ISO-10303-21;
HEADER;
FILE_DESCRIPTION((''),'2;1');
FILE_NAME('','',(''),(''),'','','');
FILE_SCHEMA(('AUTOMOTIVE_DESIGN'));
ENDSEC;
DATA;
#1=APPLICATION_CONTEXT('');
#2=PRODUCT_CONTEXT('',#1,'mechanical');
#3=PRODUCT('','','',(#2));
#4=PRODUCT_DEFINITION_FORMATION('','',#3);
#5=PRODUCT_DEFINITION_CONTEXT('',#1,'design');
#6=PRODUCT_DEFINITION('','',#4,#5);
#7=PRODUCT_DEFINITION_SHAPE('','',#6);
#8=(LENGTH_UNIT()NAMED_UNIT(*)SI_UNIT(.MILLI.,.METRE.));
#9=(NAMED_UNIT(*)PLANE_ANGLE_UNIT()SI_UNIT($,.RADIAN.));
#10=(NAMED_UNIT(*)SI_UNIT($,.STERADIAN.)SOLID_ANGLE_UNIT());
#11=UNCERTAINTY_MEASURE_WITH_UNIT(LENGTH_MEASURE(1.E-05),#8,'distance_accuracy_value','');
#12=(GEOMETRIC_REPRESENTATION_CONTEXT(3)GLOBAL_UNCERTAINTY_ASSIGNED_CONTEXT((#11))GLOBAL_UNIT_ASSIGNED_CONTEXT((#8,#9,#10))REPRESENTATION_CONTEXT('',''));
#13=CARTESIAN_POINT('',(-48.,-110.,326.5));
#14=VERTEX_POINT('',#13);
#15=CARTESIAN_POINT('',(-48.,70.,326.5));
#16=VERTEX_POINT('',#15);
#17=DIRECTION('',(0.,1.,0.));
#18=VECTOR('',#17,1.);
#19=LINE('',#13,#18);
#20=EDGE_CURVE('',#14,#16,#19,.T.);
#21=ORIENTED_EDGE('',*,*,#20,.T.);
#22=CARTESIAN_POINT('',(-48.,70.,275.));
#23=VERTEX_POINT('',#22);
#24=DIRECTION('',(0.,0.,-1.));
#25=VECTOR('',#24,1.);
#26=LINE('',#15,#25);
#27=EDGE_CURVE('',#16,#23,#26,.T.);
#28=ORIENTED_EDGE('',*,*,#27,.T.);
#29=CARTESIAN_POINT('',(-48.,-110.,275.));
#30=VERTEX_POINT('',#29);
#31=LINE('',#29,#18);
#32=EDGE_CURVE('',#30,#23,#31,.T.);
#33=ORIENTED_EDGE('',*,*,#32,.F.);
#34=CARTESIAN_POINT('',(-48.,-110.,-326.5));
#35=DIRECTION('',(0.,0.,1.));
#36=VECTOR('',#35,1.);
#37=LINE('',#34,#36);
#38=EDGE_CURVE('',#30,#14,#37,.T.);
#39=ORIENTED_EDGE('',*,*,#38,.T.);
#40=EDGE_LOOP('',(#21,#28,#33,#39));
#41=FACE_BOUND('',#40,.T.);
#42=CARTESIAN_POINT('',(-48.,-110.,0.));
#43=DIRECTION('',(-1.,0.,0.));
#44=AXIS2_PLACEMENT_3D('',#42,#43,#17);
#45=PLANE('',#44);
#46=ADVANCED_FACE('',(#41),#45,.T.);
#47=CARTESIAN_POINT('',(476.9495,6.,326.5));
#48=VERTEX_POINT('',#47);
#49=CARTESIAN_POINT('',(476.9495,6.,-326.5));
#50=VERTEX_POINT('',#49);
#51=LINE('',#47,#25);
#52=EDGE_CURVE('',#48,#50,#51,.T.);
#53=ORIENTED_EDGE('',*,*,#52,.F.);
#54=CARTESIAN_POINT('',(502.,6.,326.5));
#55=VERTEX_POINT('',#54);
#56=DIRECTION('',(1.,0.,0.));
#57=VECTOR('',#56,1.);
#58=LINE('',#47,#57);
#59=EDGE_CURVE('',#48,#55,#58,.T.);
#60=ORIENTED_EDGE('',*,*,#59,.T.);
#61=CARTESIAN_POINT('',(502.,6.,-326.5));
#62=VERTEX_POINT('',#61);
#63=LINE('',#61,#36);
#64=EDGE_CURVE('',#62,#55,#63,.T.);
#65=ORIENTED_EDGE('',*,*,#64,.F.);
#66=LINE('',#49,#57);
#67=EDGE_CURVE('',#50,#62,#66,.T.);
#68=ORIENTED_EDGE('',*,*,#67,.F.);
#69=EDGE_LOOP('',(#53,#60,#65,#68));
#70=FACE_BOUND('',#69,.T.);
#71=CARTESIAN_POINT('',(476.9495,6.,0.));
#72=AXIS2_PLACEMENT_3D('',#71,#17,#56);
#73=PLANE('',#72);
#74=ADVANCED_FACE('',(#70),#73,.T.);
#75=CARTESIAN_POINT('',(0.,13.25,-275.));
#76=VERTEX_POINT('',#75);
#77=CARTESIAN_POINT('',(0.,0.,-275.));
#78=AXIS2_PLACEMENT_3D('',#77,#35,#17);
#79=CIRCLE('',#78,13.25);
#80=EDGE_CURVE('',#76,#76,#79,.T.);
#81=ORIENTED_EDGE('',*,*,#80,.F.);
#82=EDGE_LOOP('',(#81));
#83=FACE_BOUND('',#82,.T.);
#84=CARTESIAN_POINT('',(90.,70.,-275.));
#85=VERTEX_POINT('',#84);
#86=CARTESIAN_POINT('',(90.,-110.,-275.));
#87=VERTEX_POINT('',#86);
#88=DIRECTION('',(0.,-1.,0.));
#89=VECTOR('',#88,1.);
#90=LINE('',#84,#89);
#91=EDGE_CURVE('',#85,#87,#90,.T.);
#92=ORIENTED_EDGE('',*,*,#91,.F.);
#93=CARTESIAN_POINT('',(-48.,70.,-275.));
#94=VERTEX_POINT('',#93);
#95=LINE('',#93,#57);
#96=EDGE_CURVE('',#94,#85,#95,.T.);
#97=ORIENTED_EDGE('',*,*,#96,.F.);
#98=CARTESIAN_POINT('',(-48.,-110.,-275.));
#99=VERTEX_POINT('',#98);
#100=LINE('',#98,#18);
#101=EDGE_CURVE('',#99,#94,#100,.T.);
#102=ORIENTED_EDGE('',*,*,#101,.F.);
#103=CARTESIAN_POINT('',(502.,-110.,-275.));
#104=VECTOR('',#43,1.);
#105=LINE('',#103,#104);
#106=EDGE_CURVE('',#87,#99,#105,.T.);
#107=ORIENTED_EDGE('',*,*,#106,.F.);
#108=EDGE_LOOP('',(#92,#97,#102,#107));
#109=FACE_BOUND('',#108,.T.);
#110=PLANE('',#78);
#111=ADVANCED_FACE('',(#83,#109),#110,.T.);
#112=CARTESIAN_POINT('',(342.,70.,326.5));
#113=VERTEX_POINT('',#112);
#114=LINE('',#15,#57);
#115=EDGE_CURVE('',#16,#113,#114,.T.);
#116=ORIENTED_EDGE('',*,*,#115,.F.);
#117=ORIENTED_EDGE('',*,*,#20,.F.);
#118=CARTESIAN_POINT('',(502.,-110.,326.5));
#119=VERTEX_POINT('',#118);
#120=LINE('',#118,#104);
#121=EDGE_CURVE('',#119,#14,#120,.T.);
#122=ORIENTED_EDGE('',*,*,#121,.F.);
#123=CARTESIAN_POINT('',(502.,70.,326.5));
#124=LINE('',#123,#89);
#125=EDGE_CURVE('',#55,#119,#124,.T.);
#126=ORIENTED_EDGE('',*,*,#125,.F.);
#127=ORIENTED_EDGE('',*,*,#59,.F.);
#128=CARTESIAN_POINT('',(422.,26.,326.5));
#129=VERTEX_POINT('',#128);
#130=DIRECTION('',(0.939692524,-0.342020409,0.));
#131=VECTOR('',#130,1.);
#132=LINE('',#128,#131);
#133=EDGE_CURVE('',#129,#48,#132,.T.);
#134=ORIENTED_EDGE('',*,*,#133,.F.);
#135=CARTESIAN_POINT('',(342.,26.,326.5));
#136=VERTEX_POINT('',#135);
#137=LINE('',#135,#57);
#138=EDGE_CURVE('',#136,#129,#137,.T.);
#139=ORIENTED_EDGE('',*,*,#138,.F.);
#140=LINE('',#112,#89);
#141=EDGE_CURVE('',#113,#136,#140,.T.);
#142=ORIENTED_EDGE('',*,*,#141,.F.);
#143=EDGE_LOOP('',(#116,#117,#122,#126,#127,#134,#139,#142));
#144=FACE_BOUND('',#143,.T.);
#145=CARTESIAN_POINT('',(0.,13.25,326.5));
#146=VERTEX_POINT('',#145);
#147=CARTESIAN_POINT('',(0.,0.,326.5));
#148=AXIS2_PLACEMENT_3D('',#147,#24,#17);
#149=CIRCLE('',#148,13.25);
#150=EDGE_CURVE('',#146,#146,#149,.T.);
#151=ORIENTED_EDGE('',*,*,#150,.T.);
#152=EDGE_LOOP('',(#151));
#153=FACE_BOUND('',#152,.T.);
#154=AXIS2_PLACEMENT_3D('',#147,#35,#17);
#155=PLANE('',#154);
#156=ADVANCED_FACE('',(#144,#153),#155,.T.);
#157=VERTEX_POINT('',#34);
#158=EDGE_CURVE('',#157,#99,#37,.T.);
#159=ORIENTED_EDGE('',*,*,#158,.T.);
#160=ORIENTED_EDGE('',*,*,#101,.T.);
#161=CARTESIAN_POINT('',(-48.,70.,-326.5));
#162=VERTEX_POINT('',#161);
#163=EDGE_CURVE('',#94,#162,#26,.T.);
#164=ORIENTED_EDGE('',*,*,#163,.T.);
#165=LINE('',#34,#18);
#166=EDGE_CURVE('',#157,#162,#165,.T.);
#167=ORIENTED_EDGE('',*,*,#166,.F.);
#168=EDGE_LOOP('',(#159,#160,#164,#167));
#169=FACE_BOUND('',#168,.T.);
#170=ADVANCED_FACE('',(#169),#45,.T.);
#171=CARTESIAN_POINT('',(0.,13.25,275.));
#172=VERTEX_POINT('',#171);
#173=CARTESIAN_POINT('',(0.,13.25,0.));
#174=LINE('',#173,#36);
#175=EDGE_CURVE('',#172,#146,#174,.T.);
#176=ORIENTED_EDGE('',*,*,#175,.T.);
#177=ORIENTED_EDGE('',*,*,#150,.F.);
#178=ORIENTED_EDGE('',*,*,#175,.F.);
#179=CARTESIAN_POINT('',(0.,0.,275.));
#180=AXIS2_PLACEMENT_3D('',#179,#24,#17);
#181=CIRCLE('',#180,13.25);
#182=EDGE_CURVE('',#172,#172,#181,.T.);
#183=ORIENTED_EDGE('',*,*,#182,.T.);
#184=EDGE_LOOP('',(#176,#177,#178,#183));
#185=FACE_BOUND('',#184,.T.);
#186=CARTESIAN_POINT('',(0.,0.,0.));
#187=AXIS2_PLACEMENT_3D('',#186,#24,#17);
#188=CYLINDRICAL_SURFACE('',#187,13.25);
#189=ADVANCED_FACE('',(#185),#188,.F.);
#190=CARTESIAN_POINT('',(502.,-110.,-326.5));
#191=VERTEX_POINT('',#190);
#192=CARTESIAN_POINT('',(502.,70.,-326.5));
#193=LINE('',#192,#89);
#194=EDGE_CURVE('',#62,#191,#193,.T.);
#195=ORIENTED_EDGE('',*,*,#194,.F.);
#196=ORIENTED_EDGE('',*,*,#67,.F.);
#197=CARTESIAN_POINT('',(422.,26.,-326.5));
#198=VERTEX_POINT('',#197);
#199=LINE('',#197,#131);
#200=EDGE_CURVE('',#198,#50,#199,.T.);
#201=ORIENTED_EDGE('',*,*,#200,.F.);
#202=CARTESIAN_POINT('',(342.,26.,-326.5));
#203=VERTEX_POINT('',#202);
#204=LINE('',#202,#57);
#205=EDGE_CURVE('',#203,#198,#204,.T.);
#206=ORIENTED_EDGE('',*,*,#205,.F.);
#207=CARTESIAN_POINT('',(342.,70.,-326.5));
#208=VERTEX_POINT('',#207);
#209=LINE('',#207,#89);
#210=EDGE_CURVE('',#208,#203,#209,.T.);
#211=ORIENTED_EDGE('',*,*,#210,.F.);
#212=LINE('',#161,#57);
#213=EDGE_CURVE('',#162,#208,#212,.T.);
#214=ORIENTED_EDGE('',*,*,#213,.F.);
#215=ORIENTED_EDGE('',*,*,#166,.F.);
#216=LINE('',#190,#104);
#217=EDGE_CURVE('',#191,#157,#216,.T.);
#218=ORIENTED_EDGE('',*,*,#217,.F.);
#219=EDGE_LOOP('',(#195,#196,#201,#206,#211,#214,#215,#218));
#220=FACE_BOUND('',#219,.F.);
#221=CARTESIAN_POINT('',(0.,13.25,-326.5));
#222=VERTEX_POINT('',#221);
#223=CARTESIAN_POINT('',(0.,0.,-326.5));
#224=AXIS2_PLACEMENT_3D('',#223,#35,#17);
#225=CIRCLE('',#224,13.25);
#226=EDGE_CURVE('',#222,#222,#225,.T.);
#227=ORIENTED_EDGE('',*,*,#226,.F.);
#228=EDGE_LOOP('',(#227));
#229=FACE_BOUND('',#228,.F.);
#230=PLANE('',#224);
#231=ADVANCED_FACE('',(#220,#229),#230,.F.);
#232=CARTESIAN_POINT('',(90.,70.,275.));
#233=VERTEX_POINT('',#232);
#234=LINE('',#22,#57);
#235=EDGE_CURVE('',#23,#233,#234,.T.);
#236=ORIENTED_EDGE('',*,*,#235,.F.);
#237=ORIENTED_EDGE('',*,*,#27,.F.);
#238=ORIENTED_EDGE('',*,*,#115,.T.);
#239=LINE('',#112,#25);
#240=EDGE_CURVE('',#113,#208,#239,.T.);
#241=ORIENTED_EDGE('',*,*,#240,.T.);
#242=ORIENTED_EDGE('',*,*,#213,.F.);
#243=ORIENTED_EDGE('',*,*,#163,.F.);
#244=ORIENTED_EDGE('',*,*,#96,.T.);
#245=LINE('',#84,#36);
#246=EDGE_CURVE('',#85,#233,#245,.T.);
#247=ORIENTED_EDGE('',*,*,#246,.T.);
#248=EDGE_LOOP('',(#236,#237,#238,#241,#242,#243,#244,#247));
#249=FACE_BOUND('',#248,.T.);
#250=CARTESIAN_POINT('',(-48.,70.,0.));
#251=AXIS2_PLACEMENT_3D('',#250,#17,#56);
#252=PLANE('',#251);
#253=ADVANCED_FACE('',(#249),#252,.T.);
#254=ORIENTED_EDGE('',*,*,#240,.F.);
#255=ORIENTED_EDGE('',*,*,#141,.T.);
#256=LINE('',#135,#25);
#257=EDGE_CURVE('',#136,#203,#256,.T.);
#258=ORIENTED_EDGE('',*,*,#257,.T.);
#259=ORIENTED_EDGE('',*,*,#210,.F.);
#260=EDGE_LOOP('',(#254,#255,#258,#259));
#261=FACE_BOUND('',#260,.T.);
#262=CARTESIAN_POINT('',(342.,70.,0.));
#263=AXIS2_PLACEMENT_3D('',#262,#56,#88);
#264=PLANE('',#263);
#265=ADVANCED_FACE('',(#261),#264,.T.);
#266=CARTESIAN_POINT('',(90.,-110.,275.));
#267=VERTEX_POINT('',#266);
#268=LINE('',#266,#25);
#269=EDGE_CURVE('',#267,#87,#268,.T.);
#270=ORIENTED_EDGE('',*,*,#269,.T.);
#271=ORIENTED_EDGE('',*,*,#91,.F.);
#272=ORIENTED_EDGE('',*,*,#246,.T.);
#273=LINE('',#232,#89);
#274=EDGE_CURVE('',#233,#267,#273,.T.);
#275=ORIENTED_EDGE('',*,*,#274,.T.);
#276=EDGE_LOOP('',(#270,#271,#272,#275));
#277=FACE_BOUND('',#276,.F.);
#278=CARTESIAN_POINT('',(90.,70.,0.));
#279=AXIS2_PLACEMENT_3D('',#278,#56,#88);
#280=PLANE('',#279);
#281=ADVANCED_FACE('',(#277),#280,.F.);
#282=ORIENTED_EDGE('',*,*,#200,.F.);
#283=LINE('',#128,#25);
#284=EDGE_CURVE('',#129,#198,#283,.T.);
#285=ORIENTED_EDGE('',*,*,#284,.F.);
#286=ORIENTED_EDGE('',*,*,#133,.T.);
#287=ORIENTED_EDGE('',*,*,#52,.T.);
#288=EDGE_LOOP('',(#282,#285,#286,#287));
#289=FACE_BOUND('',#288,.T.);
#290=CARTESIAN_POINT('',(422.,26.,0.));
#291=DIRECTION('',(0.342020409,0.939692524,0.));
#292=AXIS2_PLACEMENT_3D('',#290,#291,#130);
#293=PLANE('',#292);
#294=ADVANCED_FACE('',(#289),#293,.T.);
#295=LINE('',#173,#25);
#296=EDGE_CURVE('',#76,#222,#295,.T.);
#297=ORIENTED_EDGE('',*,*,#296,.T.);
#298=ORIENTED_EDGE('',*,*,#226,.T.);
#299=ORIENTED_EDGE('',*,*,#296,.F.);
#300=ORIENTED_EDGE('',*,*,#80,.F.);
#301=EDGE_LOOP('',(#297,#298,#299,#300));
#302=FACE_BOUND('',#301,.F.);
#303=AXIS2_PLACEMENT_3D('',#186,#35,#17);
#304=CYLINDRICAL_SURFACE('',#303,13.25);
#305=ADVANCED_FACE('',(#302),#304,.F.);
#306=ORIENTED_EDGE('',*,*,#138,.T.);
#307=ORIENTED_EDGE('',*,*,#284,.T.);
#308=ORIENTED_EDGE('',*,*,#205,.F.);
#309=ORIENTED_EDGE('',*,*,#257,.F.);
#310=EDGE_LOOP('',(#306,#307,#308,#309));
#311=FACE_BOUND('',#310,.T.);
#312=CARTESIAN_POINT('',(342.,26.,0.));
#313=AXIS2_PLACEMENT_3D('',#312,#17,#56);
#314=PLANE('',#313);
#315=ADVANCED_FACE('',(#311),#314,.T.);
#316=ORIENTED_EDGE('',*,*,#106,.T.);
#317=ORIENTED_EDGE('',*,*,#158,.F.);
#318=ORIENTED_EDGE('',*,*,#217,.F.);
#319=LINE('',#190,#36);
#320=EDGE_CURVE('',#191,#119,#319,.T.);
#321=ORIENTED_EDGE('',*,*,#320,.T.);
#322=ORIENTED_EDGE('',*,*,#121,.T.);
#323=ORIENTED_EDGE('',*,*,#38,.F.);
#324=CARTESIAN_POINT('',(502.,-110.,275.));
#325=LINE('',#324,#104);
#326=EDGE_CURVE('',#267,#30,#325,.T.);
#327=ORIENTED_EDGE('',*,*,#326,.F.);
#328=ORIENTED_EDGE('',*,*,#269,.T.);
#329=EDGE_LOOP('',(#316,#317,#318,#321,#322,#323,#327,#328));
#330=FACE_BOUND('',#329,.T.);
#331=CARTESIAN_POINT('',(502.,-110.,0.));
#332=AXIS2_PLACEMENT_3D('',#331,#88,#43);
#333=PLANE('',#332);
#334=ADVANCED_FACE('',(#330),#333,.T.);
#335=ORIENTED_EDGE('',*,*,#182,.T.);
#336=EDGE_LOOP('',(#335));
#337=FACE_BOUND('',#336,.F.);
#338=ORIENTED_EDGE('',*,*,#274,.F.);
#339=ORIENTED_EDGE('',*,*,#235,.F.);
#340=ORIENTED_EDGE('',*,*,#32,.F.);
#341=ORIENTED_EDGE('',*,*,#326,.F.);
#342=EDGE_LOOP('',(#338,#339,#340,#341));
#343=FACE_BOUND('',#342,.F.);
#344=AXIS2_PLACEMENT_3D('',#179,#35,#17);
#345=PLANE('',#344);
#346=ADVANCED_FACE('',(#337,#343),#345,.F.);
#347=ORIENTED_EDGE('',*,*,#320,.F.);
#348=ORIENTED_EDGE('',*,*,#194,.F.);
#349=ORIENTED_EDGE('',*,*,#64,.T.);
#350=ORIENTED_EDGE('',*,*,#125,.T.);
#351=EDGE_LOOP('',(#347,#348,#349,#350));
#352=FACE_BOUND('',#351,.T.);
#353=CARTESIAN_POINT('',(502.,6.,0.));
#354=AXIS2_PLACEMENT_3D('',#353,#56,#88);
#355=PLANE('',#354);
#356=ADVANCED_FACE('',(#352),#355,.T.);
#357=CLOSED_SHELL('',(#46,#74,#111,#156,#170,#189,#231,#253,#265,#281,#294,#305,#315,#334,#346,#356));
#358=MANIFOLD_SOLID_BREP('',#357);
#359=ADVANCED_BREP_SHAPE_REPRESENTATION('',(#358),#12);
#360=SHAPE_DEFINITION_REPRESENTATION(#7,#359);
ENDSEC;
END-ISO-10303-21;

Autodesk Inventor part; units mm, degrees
ref_plane "YZ Plane" through (0, 0, 0) normal (1, 0, 0) x (0, 1, 0)
ref_plane "XZ Plane" through (0, 0, 0) normal (0, 1, 0) x (-1, 0, 0)
ref_plane "XY Plane" through (0, 0, 0) normal (0, 0, 1) x (1, 0, 0)
sketch "草圖1" plane through (0, 0, 0) normal (0, 0, 1) x (0, 1, 0)
  line L0 (-110, 48) -> (70, 48)
  line L1 (70, 48) -> (70, -502)
  line L2 (70, -502) -> (-110, -502)
  line L3 (-110, -502) -> (-110, 48)
  line L4 (70, -342) -> (26, -342)
  line L5 (26, -342) -> (26, -422)
  line L6 (26, -422) -> (6, -476.9495)
  line L7 (6, -476.9495) -> (6, -502)
  point P0 (0, 0)
  dimension "d0" = 110
  dimension "d1" = 48
  dimension "d2" = 180
  dimension "d3" = 550
  dimension "d10" = 136
  dimension "d11" = 20
  dimension "d12" = 20
  dimension "d13" = 80
  dimension "d19" = 160
extrude "擠出1" add sketch "草圖1" along normal mid plane 653 contours L0 L1 L4 L5 L6 L7 L2 L3
sketch "草圖2" plane through (0, 0, 0) normal (0, 0, 1) x (0, 1, 0)
  line L0 (70, -90) -> (-110, -90)
  line L1 (-110, 48) -> (70, 48) projected
  line L2 (70, 48) -> (70, -342) projected
  line L3 (6, -502) -> (-110, -502) projected
  line L4 (-110, -502) -> (-110, 48) projected
  line L5 (70, -103.9214) -> (70, -178.9214)
  line L6 (70, -342) -> (26, -342) projected
  line L7 (26, -342) -> (26, -422) projected
  line L8 (26, -422) -> (6, -476.9495) projected
  line L9 (6, -476.9495) -> (6, -502) projected
  point P0 (0, 0)
  dimension "d6" = 90
extrude "擠出2" cut sketch "草圖2" along normal mid plane 550 contours L0 L4 L1 L2
sketch "草圖3" plane through (0, 0, 0) normal (0, 0, 1) x (0, 1, 0)
  circle A0 centre (0, 0) radius 13.25
  dimension "d4" = 653
  dimension "d14" = 26.5
extrude "擠出3" cut sketch "草圖3" along normal through all both and the other way through all
equation "\"d7\" = Width"
equation "\"th6\" = T1A_th6"
equation "\"Width\" = T1A_R6_Width"
equation "\"T1A_th6\" = 45deg"
equation "\"T1A_R1\" = 585.5331"
equation "\"T1A_R3\" = 252.3048"
equation "\"T1A_R4\" = 320.6953"
equation "\"T1A_R5\" = 419.3047"
equation "\"T1A_R7\" = -221.7475"
equation "\"T1A_R8\" = 369.2781"
equation "\"T1A_R1_Width\" = 756"
equation "\"T1A_R2_Width\" = 756"
equation "\"T1A_R3_Width\" = 344"
equation "\"T1A_R4_Width\" = 756"
equation "\"T1A_Joint_Width\" = 756"
equation "\"T1A_R6_Width\" = 550"
properties part number "Type 1A R6主滑台:1" material "密度7850的鋼"
